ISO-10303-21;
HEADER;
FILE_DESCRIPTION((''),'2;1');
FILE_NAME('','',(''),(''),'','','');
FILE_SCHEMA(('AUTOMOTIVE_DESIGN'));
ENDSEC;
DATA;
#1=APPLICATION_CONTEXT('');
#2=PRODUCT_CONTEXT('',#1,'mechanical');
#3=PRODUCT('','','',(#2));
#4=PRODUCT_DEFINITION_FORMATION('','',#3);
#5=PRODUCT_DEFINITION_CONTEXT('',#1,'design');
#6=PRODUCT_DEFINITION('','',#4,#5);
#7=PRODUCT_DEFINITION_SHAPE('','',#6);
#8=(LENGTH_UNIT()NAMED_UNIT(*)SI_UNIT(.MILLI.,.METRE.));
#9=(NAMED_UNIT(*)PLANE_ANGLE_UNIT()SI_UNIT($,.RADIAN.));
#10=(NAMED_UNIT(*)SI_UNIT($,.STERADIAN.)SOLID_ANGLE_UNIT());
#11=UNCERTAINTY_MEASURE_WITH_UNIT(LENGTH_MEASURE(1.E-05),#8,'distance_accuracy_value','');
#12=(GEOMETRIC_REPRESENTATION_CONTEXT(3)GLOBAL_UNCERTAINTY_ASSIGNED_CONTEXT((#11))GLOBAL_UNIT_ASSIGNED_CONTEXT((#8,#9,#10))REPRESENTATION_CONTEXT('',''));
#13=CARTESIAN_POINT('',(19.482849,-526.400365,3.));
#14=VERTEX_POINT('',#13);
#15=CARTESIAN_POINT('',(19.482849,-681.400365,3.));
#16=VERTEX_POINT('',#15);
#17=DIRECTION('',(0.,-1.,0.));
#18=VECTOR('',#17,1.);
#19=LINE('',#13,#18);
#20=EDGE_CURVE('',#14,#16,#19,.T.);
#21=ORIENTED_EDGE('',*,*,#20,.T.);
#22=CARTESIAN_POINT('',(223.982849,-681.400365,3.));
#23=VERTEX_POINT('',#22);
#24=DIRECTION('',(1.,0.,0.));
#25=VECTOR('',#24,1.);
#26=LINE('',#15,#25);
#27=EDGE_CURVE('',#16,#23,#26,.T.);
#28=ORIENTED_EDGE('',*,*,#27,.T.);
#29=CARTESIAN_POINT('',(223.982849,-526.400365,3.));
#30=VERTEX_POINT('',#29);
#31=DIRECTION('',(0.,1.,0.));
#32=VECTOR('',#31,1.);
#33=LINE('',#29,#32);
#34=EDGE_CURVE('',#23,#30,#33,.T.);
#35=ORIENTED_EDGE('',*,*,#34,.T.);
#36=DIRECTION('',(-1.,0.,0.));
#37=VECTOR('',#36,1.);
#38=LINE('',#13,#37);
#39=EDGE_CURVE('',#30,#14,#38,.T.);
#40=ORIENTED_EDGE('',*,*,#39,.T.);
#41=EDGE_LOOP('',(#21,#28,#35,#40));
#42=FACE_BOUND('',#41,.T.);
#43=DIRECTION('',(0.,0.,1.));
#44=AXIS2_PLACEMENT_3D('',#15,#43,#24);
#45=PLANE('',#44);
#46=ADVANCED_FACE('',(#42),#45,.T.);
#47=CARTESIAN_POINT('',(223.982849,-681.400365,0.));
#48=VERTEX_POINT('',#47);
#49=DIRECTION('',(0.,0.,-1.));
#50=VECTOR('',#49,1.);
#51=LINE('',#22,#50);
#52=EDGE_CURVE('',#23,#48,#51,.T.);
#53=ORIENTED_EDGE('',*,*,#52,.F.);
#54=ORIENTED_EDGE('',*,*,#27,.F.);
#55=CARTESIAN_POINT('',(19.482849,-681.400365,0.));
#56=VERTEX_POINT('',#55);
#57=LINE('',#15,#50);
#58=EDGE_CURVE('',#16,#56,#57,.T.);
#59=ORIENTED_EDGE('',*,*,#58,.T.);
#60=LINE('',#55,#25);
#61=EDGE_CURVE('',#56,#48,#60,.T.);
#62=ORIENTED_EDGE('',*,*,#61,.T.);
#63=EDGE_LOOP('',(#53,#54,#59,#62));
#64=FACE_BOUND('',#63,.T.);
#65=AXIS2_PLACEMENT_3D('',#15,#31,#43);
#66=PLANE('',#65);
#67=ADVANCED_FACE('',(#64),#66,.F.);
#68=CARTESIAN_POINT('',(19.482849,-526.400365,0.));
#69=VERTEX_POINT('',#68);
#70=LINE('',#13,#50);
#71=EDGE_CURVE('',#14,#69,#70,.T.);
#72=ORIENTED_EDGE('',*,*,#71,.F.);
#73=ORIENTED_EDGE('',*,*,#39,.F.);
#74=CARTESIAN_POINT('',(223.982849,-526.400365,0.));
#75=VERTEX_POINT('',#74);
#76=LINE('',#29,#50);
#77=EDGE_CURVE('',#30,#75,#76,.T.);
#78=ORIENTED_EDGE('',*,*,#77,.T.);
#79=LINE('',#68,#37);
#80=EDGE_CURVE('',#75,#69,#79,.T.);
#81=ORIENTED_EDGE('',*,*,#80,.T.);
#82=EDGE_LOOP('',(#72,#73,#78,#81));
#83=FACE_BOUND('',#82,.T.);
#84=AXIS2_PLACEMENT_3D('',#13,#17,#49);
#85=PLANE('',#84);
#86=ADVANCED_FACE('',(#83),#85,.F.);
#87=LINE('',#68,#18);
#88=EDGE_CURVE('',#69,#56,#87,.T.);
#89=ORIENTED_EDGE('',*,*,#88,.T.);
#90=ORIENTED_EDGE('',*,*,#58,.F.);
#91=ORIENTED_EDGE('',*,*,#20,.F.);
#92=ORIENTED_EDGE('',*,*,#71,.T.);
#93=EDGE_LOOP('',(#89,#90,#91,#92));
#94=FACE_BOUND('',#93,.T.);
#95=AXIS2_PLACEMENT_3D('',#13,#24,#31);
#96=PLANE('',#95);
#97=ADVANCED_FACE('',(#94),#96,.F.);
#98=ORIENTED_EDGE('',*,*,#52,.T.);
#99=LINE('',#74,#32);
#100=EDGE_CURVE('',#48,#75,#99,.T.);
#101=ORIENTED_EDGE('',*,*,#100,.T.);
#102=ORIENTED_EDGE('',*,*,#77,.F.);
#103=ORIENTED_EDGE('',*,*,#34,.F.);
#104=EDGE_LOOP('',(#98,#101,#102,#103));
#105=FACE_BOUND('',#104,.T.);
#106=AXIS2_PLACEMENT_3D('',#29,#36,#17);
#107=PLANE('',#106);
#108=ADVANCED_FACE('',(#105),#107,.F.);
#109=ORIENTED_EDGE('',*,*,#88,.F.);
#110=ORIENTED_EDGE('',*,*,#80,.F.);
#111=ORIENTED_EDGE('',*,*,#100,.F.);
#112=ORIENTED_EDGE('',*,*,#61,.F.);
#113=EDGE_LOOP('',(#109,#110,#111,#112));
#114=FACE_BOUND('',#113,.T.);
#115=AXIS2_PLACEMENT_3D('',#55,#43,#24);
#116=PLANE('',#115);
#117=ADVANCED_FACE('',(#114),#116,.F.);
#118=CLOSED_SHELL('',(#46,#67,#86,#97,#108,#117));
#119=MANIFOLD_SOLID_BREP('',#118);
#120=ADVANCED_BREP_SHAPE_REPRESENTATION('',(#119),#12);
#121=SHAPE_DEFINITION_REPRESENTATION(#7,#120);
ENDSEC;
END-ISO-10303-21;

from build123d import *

# Parameters (mm, degrees)
ESQUISSE1_W        = 204.5
ESQUISSE1_H        = 155
BOSS_EXTRU_1_DEPTH = 3


with BuildPart() as part:
    # Esquisse1 → Boss.-Extru.1 (new body)
    with BuildSketch(Plane.XY):
        with Locations((121.732849384, -603.90036528)):
            Rectangle(ESQUISSE1_W, ESQUISSE1_H)
    extrude(amount=BOSS_EXTRU_1_DEPTH)


solid = part.part
